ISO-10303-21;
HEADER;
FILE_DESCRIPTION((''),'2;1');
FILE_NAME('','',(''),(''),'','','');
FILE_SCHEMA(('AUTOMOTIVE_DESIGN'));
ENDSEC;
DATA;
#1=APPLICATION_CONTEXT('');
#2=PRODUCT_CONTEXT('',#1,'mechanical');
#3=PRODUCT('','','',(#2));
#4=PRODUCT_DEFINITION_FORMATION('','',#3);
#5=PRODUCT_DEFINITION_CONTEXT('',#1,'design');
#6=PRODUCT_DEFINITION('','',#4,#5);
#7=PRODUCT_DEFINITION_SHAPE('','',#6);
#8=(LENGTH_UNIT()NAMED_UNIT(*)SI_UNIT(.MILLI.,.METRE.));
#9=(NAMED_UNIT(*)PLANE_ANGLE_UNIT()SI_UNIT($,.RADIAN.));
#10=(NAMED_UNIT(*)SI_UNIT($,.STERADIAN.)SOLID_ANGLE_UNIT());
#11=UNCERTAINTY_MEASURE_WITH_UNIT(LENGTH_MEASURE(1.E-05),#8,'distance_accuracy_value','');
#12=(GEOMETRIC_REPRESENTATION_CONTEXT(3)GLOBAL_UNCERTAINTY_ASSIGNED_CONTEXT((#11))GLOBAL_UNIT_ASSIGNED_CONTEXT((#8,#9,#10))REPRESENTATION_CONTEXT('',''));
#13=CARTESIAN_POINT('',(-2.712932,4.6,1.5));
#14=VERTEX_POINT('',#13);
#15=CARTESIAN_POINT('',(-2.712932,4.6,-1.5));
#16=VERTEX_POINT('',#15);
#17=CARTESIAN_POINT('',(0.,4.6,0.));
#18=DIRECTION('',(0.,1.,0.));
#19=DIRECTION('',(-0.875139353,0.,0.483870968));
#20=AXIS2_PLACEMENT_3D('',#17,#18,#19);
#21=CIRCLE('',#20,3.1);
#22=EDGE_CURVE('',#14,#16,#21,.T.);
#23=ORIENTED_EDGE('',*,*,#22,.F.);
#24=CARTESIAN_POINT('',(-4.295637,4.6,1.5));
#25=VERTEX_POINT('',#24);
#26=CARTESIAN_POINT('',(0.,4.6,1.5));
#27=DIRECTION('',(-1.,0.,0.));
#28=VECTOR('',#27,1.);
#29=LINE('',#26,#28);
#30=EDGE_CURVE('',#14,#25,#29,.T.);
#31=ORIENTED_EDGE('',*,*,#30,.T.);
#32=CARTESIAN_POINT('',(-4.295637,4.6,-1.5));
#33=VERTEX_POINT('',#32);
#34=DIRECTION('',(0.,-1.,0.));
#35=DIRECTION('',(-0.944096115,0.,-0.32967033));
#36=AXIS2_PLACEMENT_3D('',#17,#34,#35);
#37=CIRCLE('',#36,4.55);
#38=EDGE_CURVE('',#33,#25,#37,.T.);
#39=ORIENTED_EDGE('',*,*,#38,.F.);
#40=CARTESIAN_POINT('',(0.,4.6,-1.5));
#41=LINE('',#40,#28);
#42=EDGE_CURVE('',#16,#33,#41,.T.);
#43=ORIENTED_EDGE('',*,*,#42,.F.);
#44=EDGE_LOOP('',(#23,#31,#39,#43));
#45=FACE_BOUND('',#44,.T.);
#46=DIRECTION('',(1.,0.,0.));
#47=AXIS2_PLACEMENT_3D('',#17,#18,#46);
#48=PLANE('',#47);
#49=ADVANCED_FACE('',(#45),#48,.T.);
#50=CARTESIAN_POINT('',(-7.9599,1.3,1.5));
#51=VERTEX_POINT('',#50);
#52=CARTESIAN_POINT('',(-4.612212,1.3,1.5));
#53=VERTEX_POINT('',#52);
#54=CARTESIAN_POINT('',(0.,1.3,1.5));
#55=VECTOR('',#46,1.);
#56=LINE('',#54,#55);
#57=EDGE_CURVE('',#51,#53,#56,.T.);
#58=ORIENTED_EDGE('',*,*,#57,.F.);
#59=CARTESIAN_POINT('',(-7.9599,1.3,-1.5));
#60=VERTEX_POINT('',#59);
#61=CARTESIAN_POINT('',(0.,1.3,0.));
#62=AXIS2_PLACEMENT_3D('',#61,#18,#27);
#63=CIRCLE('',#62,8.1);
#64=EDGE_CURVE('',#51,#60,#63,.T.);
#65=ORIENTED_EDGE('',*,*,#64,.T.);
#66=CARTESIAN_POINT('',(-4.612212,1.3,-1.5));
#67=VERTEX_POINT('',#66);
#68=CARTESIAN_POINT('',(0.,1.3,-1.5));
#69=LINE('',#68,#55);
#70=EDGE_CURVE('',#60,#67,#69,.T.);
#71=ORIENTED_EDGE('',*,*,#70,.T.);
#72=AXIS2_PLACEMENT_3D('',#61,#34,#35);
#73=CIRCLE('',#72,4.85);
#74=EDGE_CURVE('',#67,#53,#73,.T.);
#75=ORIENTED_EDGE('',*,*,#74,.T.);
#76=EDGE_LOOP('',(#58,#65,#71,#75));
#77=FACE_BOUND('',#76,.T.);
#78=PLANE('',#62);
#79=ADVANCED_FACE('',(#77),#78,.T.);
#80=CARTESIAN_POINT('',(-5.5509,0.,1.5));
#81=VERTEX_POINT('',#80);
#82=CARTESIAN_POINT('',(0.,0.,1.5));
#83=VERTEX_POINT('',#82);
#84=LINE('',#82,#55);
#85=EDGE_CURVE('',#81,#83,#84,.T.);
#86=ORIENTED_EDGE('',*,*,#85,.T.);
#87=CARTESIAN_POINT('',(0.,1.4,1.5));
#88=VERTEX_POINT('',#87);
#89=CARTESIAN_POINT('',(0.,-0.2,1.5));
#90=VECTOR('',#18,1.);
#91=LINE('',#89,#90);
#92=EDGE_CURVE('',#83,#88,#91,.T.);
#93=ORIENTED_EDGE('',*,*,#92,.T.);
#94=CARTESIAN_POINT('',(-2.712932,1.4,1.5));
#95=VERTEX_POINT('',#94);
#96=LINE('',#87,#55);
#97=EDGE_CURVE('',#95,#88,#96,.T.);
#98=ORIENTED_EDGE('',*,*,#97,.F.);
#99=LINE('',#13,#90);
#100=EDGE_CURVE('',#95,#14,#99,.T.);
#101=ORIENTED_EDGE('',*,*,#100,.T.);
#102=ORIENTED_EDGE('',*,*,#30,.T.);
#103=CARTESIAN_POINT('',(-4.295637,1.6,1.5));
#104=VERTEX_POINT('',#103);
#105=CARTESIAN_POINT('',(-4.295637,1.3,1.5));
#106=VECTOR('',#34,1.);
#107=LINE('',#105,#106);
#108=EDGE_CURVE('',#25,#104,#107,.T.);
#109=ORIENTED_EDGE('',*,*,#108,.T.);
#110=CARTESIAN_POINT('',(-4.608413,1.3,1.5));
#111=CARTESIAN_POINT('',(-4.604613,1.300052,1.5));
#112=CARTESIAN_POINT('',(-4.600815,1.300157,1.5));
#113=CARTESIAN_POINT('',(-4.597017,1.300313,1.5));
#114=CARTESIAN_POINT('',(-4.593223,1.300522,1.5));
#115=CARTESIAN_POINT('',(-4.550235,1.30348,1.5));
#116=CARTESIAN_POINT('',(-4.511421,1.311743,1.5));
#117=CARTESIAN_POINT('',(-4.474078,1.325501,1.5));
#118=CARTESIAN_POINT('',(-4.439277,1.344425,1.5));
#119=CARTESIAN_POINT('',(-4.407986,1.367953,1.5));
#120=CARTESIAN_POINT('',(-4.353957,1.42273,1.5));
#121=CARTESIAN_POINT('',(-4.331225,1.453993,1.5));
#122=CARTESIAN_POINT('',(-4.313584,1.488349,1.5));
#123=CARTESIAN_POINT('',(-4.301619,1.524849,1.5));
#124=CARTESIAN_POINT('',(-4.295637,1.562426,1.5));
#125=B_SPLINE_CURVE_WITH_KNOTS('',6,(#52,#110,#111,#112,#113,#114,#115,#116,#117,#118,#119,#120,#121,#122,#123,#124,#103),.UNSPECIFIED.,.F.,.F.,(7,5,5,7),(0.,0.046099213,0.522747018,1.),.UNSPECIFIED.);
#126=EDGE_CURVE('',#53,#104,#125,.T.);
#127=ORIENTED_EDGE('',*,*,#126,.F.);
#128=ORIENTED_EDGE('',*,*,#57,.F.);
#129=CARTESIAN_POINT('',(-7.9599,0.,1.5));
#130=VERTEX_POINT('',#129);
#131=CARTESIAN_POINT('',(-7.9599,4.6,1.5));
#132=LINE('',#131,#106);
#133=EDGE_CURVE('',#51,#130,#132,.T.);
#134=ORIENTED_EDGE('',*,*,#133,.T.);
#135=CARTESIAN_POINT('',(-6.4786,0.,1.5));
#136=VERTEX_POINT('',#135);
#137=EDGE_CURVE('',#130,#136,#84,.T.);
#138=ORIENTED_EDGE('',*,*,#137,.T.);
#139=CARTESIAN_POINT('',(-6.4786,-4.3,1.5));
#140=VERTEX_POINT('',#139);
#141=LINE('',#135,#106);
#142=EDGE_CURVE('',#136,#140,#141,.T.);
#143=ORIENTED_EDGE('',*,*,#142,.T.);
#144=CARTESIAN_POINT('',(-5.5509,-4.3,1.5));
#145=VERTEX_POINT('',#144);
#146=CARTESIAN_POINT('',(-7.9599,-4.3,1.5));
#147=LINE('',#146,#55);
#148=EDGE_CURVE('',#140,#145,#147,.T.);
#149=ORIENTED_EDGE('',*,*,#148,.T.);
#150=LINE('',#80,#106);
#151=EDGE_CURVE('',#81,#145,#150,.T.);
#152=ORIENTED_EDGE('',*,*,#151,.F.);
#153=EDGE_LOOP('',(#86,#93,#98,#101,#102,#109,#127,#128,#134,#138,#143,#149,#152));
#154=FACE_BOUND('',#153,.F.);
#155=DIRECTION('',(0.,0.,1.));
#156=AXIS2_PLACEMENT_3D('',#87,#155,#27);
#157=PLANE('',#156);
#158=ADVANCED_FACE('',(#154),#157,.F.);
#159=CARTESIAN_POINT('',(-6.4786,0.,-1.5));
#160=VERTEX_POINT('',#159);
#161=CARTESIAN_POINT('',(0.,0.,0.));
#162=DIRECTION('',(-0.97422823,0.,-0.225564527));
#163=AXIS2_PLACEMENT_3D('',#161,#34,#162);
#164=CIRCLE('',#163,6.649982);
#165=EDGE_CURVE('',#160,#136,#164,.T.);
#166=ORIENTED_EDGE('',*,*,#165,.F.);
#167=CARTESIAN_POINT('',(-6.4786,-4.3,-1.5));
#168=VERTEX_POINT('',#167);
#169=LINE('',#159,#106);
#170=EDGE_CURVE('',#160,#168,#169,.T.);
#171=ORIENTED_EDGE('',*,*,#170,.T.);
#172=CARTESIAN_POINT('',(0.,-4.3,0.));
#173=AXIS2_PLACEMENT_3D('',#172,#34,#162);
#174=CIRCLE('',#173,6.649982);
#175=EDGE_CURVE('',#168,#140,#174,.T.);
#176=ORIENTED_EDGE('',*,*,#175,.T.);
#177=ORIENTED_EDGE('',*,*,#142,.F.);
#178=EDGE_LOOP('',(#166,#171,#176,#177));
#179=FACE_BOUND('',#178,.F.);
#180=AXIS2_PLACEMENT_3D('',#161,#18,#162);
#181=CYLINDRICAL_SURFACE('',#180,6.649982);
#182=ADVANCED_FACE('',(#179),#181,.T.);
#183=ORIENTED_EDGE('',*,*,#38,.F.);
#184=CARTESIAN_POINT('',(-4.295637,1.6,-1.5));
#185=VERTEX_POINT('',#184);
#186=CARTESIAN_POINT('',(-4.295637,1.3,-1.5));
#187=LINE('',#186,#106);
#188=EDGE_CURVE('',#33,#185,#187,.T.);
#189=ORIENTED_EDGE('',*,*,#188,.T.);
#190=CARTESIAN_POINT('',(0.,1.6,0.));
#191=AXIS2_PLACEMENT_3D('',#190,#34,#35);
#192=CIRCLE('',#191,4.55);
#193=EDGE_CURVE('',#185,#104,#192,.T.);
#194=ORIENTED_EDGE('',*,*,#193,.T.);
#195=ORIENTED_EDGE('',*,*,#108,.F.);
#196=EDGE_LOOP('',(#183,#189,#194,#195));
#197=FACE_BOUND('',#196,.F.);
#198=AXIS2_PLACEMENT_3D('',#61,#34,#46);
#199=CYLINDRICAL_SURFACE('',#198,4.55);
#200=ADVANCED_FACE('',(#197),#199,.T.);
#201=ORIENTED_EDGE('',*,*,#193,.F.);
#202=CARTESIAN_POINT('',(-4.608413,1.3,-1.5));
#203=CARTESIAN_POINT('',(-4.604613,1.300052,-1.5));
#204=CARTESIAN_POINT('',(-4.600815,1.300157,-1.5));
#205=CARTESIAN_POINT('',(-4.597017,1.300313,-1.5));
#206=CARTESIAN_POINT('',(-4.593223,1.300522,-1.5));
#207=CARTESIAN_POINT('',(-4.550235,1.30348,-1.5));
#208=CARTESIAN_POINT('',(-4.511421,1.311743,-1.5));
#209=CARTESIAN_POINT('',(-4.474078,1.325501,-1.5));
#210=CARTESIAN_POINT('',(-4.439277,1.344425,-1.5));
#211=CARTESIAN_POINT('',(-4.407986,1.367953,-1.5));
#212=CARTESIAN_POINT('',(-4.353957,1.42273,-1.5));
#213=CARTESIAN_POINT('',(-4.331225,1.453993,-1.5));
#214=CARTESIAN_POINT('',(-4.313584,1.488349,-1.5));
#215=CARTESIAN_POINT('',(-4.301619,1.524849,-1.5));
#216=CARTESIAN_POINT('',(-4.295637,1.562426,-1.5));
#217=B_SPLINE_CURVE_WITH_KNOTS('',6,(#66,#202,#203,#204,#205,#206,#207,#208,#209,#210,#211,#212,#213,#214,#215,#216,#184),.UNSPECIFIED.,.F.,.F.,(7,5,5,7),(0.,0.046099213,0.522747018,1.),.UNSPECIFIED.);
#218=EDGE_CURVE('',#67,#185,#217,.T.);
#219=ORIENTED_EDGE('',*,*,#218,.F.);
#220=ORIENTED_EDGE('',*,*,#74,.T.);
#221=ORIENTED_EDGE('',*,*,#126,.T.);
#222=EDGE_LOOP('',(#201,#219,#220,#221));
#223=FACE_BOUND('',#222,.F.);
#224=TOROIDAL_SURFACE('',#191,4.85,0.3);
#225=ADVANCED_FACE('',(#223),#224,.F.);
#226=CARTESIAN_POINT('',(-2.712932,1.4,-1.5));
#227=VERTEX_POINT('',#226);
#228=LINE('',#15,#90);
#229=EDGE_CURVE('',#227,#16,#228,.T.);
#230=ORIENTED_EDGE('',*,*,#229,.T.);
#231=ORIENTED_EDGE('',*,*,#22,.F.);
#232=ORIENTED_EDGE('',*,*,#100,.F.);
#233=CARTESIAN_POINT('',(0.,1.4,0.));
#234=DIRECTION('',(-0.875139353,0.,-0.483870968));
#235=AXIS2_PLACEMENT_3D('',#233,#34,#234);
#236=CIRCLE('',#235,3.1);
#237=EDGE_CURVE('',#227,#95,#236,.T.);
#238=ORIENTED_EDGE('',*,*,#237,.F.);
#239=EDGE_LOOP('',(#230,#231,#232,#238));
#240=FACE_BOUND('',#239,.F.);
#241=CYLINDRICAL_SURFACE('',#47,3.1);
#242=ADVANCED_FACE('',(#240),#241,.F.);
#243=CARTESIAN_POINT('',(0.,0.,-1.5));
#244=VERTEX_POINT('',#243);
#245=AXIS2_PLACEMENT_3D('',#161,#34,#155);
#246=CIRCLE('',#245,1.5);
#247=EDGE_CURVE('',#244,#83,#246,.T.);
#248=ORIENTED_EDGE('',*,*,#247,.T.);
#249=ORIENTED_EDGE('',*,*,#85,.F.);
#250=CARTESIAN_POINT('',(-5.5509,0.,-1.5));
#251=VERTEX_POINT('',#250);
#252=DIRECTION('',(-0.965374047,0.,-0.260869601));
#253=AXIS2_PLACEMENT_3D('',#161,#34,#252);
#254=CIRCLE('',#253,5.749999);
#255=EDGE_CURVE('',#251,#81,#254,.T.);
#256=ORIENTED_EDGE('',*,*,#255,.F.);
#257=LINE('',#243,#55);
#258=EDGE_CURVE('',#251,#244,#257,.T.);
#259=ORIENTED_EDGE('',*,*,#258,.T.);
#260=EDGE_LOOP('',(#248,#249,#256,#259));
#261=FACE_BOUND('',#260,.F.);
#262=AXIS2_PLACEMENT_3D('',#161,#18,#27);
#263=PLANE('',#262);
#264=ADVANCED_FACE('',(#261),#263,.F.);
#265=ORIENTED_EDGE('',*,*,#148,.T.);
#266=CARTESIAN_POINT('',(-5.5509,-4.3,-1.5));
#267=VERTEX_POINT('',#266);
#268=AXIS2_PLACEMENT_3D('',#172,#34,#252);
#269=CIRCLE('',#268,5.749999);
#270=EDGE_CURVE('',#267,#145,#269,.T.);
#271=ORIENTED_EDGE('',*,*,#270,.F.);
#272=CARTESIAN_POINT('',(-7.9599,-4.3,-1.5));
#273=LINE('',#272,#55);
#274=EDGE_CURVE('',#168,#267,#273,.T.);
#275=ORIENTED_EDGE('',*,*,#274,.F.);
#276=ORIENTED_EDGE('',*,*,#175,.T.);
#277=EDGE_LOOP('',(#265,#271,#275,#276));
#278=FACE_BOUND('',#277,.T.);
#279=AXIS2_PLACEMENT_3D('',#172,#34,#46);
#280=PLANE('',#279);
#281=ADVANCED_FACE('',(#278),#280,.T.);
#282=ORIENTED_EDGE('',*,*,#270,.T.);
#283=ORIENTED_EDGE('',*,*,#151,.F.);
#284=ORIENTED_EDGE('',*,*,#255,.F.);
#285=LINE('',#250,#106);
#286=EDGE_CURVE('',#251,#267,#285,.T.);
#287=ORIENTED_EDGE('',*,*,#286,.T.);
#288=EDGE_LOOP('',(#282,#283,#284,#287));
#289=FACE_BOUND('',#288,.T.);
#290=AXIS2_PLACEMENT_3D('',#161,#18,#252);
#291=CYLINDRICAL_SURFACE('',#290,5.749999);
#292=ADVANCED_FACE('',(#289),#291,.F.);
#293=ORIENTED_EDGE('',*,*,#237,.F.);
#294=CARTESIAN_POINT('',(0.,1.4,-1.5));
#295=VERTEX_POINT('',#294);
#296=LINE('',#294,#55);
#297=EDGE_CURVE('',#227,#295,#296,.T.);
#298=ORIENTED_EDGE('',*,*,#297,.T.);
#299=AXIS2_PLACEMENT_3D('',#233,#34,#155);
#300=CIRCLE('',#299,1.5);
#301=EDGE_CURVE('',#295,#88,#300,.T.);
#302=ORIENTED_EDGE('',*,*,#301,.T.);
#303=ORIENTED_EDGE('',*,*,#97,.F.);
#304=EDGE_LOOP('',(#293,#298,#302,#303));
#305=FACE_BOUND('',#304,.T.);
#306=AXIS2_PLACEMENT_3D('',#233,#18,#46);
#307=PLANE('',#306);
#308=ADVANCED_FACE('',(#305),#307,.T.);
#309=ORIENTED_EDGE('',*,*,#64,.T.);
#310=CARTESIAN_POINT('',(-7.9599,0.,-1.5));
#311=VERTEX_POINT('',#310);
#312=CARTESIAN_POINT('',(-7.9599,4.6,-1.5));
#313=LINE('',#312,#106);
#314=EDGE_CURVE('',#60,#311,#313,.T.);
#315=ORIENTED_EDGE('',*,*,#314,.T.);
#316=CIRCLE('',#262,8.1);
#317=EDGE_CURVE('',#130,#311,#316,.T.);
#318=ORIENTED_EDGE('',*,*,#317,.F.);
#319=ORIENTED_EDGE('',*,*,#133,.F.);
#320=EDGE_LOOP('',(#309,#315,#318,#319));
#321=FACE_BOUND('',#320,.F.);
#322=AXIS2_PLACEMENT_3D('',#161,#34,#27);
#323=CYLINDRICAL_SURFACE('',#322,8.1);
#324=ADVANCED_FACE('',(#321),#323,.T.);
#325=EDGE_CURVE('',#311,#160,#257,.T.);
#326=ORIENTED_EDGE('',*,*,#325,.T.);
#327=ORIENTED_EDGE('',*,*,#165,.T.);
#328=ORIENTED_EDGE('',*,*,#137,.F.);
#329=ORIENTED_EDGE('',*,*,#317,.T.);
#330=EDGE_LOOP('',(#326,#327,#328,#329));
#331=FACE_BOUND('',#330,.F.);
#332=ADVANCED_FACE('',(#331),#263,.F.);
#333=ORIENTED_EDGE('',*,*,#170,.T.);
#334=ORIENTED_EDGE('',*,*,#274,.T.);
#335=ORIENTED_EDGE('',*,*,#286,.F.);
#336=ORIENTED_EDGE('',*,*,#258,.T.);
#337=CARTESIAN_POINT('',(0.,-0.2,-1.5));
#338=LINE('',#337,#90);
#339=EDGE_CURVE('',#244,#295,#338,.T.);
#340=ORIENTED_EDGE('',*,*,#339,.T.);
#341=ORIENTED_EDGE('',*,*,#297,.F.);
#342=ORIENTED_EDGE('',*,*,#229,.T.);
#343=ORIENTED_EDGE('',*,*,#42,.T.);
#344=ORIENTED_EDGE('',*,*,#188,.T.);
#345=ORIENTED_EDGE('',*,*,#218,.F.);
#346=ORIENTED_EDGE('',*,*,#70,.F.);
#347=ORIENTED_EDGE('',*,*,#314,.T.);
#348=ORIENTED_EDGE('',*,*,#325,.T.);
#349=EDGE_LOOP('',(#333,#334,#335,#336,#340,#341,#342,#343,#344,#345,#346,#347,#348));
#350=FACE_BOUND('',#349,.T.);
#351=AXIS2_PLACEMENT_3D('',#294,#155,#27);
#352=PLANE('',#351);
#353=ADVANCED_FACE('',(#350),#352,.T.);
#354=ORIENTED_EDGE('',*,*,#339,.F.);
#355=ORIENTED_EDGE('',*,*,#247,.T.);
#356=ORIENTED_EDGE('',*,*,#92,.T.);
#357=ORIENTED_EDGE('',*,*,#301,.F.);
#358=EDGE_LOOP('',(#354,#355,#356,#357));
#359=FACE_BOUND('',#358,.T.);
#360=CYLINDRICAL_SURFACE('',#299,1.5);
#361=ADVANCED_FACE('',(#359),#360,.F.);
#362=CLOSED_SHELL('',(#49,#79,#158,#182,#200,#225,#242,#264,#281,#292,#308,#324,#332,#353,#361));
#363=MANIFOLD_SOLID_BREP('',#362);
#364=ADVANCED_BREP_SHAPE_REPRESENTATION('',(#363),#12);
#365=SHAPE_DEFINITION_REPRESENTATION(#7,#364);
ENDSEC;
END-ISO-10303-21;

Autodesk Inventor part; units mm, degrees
ref_plane "YZ Plane" through (0, 0, 0) normal (1, 0, 0) x (0, 1, 0)
ref_plane "XZ Plane" through (0, 0, 0) normal (0, 1, 0) x (-1, 0, 0)
ref_plane "XY Plane" through (0, 0, 0) normal (0, 0, 1) x (1, 0, 0)
sketch "Boceto1" plane through (0, 0, 0) normal (0, 1, 0) x (-1, 0, 0)
  circle A0 centre (0, 0) radius 8.1
  dimension "d0" = 16.2
extrude "Extrusión1" add sketch "Boceto1" along normal blind 1.3
sketch "Boceto2" plane through (0, 1.3, 0) normal (0, 1, 0) x (1, 0, 0)
  circle A0 centre (0, 0) radius 4.55
  dimension "d3" = 9.1
extrude "Extrusión2" add sketch "Boceto2" along normal blind 3.3
sketch "Boceto3" plane through (0, 4.6, 0) normal (0, 1, 0) x (1, 0, 0)
  circle A0 centre (0, 0) radius 3.1
  dimension "d6" = 6.2
extrude "Extrusión3" cut sketch "Boceto3" against normal blind 3.2
sketch "Boceto4" plane through (0, 1.4, 0) normal (0, 1, 0) x (1, 0, 0)
  arc A0 (0, -1.5) -> (0, 1.5) centre (0, 0) ccw
  line L0 (0, -1.5) -> (-7.9599, -1.5)
  circle A1 centre (0, 0) radius 8.1 projected
  line L1 (0, 1.5) -> (-7.9599, 1.5)
  arc A2 (-7.9599, 1.5) -> (-7.9599, -1.5) centre (0, 0) ccw
  dimension "d9" = 3
extrude "Extrusión4" cut sketch "Boceto4" along normal blind 3.2 and the other way blind 1.6 contours L0 A1 L1 A0 picked at (-2.6948, -0.1675)
fillet "Empalme1" radius 0.3 1 edges at (4.55, 1.3, 0)
sketch "Boceto5" plane through (0, 0, 0) normal (0, -1, 0) x (1, 0, 0)
  arc A0 (-6.4786, -1.5) -> (-6.4786, 1.5) centre (0, 0) ccw
  arc A1 (-5.5509, -1.5) -> (-5.5509, 1.5) centre (0, 0) ccw
  line L0 (-7.9599, 1.5) -> (0, 1.5) projected
  line L1 (-5.5509, 1.5) -> (-6.4786, 1.5)
  line L2 (-7.9599, -1.5) -> (-4.6122, -1.5) projected
  line L3 (-6.4786, -1.5) -> (-5.5509, -1.5)
  dimension "d15" = 13.3
  dimension "d16" = 11.5
extrude "Extrusión5" add sketch "Boceto5" along normal blind 4.3
properties part number "Pieza_Presion_resorte" material "Plástico ABS"
